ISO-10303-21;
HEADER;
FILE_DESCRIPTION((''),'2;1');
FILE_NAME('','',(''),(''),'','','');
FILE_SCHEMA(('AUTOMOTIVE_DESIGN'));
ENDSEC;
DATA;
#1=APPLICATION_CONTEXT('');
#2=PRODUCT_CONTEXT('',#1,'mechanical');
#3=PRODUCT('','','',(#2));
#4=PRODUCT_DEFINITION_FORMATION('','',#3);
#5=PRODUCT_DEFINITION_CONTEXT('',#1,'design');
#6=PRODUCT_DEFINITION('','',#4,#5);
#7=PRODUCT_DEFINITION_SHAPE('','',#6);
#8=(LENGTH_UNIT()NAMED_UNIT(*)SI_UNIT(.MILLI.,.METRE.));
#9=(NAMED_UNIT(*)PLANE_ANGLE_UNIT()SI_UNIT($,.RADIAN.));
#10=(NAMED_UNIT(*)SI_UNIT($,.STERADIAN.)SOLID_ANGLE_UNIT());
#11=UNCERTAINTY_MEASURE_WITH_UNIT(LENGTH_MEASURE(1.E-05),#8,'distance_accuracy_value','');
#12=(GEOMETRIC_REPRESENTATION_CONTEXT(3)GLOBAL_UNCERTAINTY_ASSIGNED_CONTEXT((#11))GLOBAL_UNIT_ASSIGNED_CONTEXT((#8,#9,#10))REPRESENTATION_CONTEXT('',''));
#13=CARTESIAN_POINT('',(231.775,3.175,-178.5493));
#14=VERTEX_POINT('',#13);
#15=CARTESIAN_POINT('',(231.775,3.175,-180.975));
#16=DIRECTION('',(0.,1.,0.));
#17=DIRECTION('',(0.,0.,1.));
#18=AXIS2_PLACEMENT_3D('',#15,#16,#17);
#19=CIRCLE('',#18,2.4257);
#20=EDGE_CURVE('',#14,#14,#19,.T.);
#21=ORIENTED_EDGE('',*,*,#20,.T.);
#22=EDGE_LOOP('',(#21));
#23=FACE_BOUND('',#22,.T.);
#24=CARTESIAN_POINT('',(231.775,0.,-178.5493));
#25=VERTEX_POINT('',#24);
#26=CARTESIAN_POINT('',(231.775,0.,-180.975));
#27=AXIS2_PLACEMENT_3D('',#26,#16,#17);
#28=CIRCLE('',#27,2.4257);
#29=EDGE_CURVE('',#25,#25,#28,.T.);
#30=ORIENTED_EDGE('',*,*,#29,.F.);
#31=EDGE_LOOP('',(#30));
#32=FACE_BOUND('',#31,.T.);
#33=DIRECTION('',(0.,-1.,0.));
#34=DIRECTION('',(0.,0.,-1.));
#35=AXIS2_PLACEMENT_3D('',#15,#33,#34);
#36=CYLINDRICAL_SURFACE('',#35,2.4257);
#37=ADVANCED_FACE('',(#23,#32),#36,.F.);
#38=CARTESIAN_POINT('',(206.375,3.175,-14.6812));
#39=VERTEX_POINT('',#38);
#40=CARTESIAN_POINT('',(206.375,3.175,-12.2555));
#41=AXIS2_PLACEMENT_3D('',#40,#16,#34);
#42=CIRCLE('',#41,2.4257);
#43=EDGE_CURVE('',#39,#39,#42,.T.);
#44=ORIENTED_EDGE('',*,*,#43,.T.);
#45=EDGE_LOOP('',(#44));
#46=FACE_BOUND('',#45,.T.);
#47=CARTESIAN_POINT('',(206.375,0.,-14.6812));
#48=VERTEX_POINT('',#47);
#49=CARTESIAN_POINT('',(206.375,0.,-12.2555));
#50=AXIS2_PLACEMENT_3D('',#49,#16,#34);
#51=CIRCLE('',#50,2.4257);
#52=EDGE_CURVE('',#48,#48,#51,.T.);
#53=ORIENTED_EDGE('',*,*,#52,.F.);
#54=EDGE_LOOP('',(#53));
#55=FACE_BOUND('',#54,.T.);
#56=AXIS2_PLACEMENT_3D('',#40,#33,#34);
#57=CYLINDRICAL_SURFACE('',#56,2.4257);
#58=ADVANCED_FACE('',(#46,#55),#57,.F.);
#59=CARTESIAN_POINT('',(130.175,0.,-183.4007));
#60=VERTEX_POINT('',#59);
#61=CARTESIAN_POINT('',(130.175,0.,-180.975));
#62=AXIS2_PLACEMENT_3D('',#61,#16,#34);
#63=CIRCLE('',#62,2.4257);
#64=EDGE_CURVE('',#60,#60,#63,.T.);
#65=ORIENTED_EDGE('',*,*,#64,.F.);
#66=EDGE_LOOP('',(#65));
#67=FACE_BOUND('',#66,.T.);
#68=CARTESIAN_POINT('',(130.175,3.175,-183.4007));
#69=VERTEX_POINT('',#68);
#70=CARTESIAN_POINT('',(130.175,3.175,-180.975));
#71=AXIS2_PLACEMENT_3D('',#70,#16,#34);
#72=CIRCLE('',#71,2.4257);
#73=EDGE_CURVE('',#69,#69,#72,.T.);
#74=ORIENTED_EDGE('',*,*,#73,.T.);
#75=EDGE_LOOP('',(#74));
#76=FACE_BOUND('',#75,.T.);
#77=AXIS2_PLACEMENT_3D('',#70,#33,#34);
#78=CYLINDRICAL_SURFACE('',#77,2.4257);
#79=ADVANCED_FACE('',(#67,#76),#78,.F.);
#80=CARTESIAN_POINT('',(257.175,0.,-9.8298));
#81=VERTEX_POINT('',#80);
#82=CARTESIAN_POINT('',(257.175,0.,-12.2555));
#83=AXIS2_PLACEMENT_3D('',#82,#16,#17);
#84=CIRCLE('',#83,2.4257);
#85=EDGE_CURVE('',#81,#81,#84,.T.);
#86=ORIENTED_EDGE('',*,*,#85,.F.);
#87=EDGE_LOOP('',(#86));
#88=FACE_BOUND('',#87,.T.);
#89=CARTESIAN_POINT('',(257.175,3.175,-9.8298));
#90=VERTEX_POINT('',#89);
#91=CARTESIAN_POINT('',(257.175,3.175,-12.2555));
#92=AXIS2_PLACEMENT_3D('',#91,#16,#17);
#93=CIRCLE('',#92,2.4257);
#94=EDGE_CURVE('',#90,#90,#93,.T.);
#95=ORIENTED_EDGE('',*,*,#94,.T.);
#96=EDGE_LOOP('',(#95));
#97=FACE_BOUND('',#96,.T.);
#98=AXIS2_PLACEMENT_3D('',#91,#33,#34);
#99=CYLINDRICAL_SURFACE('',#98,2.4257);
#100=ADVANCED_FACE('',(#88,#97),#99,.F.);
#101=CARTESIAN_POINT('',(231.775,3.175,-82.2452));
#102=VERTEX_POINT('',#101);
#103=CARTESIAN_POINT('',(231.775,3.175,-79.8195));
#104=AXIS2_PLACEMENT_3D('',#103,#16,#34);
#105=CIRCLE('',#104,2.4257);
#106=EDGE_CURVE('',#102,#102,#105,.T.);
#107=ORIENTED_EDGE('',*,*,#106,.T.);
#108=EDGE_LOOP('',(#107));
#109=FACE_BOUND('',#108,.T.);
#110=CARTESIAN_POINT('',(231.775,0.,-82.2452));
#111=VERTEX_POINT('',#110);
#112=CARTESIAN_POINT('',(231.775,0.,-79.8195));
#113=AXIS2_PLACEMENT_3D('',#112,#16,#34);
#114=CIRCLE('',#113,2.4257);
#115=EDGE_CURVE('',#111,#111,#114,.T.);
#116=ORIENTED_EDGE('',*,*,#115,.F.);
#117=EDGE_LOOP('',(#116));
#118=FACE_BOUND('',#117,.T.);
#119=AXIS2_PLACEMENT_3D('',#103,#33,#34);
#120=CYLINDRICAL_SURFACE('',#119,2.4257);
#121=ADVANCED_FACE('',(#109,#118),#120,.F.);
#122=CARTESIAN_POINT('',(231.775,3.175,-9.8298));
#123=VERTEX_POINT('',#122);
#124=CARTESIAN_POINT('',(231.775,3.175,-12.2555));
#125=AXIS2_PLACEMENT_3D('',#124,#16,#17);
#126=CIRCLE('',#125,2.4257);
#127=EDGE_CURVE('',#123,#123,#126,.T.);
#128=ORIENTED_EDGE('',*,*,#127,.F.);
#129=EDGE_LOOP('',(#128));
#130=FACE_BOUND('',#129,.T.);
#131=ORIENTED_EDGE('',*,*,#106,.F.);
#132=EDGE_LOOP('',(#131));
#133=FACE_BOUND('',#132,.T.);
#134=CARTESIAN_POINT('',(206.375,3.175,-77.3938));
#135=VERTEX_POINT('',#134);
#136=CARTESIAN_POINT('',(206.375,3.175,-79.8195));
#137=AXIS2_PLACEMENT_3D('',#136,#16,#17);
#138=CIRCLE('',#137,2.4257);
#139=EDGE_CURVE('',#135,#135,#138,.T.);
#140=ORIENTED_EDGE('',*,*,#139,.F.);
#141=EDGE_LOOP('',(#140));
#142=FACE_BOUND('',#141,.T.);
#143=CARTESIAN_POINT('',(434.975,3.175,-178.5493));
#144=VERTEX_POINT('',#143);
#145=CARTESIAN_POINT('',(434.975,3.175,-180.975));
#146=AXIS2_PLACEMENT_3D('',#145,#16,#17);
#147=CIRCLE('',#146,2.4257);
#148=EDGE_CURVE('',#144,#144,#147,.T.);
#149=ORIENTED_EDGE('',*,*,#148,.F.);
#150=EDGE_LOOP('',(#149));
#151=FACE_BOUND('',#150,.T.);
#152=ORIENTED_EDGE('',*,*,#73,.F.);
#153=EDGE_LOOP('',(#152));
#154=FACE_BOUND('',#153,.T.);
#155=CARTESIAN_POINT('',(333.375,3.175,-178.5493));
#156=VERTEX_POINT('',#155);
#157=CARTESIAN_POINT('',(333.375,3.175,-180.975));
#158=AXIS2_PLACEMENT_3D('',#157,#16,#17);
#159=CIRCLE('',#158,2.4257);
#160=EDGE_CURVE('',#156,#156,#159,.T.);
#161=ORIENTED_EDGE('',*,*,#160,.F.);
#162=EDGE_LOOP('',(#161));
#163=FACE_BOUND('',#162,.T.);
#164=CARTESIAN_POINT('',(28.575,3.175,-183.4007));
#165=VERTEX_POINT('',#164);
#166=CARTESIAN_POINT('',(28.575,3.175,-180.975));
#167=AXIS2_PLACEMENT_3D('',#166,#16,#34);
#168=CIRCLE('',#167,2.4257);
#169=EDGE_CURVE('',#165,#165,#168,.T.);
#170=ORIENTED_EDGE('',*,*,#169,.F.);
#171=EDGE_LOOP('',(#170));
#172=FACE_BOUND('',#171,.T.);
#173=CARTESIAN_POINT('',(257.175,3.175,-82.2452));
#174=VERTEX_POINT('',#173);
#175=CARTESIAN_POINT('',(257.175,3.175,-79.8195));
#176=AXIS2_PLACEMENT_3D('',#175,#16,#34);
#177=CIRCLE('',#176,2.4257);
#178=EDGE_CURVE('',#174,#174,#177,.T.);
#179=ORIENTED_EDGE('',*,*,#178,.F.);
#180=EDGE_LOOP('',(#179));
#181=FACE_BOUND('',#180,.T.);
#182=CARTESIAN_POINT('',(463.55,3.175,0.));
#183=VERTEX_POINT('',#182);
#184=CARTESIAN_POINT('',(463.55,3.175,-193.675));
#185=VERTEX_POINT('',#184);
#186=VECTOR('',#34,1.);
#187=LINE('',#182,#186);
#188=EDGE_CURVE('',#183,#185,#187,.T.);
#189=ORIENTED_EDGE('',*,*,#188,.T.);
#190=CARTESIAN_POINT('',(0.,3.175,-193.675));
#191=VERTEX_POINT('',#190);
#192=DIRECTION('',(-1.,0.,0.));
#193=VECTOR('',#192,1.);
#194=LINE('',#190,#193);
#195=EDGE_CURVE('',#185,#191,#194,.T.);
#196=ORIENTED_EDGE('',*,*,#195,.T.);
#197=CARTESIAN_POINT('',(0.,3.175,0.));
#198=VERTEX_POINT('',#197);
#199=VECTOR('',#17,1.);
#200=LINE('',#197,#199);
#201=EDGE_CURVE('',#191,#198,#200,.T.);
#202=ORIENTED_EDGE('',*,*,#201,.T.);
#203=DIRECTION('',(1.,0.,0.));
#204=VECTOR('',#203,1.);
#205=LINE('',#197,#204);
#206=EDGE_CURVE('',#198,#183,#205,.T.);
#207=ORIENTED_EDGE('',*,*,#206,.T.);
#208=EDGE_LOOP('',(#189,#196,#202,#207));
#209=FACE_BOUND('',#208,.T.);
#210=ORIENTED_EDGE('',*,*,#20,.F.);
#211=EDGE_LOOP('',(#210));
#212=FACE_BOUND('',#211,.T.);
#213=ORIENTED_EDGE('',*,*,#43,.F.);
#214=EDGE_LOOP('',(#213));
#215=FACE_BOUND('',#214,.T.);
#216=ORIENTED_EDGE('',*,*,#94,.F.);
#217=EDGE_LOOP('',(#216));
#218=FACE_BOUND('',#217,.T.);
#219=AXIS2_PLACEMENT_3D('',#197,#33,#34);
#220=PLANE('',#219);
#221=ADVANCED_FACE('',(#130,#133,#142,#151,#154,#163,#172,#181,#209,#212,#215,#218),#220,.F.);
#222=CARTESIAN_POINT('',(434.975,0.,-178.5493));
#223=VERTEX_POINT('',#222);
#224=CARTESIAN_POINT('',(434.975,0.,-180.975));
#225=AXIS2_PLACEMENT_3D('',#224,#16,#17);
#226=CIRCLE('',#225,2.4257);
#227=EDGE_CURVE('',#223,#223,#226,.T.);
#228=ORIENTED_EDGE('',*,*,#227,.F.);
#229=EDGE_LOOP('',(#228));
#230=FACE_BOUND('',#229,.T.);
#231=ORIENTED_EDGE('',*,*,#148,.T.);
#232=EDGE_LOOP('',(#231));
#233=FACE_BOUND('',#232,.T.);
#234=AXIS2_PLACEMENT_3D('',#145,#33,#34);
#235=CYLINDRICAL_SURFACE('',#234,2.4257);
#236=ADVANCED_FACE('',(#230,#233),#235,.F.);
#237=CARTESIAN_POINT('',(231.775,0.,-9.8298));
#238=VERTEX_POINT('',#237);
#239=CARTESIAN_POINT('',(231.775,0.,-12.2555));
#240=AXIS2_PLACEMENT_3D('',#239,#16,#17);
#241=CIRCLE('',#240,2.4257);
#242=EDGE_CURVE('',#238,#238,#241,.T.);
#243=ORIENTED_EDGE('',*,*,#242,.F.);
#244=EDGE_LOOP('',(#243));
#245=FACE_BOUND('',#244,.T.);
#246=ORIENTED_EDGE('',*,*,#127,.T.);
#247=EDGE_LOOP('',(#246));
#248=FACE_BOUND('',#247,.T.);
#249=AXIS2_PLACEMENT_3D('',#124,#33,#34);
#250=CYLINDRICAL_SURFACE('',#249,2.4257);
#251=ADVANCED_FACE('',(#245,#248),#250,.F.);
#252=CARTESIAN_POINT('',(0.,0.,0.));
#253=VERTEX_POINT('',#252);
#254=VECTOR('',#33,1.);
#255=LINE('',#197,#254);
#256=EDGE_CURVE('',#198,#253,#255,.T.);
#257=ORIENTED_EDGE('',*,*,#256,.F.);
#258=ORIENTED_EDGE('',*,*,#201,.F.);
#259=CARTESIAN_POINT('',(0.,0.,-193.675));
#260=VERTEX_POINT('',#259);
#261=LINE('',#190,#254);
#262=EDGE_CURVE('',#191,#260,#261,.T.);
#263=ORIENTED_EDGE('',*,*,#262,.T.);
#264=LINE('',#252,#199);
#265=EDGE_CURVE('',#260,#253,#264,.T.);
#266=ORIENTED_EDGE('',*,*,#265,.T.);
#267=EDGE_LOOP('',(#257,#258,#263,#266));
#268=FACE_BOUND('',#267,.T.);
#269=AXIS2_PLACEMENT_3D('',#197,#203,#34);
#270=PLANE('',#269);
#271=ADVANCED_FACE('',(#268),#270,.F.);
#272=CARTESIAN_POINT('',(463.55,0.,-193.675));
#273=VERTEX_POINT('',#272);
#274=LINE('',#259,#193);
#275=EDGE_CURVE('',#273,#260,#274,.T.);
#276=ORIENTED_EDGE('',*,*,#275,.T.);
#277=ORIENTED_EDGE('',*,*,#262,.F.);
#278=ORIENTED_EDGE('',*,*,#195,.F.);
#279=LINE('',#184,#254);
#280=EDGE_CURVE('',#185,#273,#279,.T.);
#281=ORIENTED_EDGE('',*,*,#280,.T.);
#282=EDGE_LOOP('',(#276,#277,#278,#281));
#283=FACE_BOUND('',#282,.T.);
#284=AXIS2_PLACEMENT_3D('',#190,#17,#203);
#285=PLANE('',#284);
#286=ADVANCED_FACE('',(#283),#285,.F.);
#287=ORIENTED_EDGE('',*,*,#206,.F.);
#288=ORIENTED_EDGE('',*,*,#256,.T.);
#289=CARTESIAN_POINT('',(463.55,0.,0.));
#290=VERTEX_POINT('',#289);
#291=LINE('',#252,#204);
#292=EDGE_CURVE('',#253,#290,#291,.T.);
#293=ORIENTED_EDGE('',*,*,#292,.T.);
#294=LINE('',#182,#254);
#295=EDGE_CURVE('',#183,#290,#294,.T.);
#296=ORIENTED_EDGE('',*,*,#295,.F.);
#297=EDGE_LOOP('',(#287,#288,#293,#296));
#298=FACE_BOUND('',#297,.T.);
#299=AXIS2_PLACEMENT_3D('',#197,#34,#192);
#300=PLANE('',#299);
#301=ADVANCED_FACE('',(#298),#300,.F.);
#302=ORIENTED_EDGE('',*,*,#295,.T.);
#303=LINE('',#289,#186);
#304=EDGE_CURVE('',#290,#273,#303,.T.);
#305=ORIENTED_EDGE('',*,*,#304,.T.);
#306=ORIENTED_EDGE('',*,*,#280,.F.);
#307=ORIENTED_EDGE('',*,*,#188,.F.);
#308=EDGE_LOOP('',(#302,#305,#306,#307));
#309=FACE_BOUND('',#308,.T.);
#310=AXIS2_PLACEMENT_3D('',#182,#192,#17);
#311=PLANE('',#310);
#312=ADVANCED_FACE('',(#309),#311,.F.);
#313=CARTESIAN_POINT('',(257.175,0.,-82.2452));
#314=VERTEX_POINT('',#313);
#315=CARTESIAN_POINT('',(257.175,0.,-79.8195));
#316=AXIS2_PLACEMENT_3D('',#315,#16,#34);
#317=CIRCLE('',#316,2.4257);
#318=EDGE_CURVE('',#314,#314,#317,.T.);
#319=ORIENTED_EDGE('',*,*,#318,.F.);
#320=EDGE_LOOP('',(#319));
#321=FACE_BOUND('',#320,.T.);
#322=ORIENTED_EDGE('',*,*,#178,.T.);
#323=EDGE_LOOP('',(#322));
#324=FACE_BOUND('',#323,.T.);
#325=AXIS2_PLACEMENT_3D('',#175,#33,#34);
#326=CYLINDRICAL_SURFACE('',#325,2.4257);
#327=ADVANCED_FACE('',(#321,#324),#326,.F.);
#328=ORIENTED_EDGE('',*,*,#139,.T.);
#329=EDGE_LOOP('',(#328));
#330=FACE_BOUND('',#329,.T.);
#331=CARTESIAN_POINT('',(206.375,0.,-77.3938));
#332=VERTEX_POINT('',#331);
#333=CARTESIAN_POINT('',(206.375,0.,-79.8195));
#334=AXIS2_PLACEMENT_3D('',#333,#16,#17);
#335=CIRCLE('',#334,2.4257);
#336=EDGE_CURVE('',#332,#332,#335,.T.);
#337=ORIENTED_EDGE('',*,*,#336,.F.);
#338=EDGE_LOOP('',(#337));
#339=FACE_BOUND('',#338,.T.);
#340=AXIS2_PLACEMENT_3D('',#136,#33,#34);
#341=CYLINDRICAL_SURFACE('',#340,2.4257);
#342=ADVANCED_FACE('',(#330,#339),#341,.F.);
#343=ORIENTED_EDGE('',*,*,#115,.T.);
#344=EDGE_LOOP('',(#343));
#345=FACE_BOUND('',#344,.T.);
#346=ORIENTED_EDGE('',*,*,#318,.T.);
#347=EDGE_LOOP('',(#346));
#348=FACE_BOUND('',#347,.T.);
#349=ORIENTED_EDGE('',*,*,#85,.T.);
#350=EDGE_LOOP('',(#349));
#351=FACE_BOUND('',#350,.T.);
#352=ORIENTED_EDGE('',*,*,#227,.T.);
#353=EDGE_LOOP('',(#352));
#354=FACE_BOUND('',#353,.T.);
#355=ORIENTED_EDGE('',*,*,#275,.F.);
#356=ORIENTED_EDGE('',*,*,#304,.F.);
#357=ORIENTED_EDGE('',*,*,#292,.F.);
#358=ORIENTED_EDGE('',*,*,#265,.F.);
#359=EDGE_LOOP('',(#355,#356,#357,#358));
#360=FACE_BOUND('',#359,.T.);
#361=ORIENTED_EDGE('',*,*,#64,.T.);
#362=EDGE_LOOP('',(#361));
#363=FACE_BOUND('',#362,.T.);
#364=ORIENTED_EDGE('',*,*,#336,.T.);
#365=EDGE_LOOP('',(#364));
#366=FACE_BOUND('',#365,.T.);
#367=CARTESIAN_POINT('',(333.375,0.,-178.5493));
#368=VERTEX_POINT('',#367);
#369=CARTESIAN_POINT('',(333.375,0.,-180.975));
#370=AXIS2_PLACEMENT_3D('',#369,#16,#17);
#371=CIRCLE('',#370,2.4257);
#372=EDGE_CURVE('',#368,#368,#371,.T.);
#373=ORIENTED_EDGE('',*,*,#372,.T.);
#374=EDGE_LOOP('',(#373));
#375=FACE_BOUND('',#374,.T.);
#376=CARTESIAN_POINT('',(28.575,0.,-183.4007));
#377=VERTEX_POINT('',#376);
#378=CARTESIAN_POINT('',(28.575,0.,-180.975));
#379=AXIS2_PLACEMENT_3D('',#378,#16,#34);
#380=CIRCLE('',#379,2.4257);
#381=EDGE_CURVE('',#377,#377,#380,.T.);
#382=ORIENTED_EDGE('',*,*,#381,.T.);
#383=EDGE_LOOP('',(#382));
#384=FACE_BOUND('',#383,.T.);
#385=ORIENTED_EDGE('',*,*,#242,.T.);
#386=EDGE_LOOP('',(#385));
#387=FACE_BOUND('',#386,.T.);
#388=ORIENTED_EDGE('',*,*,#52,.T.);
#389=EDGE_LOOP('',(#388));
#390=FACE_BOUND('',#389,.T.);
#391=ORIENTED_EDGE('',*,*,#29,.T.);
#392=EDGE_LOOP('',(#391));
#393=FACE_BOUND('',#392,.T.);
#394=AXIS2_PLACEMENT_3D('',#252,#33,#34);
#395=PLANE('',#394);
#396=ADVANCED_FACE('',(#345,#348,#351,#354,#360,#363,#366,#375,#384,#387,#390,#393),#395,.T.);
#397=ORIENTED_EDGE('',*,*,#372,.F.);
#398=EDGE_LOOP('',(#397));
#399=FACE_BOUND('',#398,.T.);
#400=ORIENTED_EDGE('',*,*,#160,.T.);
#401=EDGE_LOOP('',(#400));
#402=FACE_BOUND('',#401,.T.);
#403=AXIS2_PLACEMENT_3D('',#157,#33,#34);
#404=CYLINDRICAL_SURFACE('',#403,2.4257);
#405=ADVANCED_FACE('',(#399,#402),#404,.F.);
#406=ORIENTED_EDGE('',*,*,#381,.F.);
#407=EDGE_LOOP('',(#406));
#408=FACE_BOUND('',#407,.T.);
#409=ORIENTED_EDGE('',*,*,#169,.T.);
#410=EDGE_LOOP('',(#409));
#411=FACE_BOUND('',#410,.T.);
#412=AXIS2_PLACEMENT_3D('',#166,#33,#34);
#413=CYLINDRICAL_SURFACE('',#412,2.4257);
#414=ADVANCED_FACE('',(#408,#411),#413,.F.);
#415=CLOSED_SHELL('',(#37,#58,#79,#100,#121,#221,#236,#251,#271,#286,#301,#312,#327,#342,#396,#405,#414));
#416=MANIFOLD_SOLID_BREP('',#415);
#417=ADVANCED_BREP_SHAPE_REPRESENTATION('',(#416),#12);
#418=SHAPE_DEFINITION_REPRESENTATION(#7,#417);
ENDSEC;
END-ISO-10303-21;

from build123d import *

# Parameters (mm, degrees)
SKETCH1_W           = 463.55
SKETCH1_H           = 193.675
SKETCH1_R           = 2.4257
BOSS_EXTRUDE1_DEPTH = 3.175


with BuildPart() as part:
    # Sketch1 → Boss-Extrude1 (new body)
    with BuildSketch(Plane(origin=(0, 0, 0), x_dir=(1, 0, 0), z_dir=(0, 1, 0))):
        with Locations((231.775, 96.8375)):
            Rectangle(SKETCH1_W, SKETCH1_H)
        with Locations(Location((231.775, 12.2555, 0), (0, 0, 270))):
            Circle(SKETCH1_R, mode=Mode.SUBTRACT)
        with Locations(Location((257.175, 12.2555, 0), (0, 0, 270))):
            Circle(SKETCH1_R, mode=Mode.SUBTRACT)
        with Locations(Location((206.375, 12.2555, 0), (0, 0, 90))):
            Circle(SKETCH1_R, mode=Mode.SUBTRACT)
        with Locations(Location((257.175, 79.8195, 0), (0, 0, 90))):
            Circle(SKETCH1_R, mode=Mode.SUBTRACT)
        with Locations(Location((231.775, 79.8195, 0), (0, 0, 90))):
            Circle(SKETCH1_R, mode=Mode.SUBTRACT)
        with Locations(Location((206.375, 79.8195, 0), (0, 0, 270))):
            Circle(SKETCH1_R, mode=Mode.SUBTRACT)
        with Locations(Location((231.775, 180.975, 0), (0, 0, 270))):
            Circle(SKETCH1_R, mode=Mode.SUBTRACT)
        with Locations(Location((333.375, 180.975, 0), (0, 0, 270))):
            Circle(SKETCH1_R, mode=Mode.SUBTRACT)
        with Locations(Location((434.975, 180.975, 0), (0, 0, 270))):
            Circle(SKETCH1_R, mode=Mode.SUBTRACT)
        with Locations(Location((28.575, 180.975, 0), (0, 0, 90))):
            Circle(SKETCH1_R, mode=Mode.SUBTRACT)
        with Locations(Location((130.175, 180.975, 0), (0, 0, 90))):
            Circle(SKETCH1_R, mode=Mode.SUBTRACT)
    extrude(amount=BOSS_EXTRUDE1_DEPTH)


solid = part.part
